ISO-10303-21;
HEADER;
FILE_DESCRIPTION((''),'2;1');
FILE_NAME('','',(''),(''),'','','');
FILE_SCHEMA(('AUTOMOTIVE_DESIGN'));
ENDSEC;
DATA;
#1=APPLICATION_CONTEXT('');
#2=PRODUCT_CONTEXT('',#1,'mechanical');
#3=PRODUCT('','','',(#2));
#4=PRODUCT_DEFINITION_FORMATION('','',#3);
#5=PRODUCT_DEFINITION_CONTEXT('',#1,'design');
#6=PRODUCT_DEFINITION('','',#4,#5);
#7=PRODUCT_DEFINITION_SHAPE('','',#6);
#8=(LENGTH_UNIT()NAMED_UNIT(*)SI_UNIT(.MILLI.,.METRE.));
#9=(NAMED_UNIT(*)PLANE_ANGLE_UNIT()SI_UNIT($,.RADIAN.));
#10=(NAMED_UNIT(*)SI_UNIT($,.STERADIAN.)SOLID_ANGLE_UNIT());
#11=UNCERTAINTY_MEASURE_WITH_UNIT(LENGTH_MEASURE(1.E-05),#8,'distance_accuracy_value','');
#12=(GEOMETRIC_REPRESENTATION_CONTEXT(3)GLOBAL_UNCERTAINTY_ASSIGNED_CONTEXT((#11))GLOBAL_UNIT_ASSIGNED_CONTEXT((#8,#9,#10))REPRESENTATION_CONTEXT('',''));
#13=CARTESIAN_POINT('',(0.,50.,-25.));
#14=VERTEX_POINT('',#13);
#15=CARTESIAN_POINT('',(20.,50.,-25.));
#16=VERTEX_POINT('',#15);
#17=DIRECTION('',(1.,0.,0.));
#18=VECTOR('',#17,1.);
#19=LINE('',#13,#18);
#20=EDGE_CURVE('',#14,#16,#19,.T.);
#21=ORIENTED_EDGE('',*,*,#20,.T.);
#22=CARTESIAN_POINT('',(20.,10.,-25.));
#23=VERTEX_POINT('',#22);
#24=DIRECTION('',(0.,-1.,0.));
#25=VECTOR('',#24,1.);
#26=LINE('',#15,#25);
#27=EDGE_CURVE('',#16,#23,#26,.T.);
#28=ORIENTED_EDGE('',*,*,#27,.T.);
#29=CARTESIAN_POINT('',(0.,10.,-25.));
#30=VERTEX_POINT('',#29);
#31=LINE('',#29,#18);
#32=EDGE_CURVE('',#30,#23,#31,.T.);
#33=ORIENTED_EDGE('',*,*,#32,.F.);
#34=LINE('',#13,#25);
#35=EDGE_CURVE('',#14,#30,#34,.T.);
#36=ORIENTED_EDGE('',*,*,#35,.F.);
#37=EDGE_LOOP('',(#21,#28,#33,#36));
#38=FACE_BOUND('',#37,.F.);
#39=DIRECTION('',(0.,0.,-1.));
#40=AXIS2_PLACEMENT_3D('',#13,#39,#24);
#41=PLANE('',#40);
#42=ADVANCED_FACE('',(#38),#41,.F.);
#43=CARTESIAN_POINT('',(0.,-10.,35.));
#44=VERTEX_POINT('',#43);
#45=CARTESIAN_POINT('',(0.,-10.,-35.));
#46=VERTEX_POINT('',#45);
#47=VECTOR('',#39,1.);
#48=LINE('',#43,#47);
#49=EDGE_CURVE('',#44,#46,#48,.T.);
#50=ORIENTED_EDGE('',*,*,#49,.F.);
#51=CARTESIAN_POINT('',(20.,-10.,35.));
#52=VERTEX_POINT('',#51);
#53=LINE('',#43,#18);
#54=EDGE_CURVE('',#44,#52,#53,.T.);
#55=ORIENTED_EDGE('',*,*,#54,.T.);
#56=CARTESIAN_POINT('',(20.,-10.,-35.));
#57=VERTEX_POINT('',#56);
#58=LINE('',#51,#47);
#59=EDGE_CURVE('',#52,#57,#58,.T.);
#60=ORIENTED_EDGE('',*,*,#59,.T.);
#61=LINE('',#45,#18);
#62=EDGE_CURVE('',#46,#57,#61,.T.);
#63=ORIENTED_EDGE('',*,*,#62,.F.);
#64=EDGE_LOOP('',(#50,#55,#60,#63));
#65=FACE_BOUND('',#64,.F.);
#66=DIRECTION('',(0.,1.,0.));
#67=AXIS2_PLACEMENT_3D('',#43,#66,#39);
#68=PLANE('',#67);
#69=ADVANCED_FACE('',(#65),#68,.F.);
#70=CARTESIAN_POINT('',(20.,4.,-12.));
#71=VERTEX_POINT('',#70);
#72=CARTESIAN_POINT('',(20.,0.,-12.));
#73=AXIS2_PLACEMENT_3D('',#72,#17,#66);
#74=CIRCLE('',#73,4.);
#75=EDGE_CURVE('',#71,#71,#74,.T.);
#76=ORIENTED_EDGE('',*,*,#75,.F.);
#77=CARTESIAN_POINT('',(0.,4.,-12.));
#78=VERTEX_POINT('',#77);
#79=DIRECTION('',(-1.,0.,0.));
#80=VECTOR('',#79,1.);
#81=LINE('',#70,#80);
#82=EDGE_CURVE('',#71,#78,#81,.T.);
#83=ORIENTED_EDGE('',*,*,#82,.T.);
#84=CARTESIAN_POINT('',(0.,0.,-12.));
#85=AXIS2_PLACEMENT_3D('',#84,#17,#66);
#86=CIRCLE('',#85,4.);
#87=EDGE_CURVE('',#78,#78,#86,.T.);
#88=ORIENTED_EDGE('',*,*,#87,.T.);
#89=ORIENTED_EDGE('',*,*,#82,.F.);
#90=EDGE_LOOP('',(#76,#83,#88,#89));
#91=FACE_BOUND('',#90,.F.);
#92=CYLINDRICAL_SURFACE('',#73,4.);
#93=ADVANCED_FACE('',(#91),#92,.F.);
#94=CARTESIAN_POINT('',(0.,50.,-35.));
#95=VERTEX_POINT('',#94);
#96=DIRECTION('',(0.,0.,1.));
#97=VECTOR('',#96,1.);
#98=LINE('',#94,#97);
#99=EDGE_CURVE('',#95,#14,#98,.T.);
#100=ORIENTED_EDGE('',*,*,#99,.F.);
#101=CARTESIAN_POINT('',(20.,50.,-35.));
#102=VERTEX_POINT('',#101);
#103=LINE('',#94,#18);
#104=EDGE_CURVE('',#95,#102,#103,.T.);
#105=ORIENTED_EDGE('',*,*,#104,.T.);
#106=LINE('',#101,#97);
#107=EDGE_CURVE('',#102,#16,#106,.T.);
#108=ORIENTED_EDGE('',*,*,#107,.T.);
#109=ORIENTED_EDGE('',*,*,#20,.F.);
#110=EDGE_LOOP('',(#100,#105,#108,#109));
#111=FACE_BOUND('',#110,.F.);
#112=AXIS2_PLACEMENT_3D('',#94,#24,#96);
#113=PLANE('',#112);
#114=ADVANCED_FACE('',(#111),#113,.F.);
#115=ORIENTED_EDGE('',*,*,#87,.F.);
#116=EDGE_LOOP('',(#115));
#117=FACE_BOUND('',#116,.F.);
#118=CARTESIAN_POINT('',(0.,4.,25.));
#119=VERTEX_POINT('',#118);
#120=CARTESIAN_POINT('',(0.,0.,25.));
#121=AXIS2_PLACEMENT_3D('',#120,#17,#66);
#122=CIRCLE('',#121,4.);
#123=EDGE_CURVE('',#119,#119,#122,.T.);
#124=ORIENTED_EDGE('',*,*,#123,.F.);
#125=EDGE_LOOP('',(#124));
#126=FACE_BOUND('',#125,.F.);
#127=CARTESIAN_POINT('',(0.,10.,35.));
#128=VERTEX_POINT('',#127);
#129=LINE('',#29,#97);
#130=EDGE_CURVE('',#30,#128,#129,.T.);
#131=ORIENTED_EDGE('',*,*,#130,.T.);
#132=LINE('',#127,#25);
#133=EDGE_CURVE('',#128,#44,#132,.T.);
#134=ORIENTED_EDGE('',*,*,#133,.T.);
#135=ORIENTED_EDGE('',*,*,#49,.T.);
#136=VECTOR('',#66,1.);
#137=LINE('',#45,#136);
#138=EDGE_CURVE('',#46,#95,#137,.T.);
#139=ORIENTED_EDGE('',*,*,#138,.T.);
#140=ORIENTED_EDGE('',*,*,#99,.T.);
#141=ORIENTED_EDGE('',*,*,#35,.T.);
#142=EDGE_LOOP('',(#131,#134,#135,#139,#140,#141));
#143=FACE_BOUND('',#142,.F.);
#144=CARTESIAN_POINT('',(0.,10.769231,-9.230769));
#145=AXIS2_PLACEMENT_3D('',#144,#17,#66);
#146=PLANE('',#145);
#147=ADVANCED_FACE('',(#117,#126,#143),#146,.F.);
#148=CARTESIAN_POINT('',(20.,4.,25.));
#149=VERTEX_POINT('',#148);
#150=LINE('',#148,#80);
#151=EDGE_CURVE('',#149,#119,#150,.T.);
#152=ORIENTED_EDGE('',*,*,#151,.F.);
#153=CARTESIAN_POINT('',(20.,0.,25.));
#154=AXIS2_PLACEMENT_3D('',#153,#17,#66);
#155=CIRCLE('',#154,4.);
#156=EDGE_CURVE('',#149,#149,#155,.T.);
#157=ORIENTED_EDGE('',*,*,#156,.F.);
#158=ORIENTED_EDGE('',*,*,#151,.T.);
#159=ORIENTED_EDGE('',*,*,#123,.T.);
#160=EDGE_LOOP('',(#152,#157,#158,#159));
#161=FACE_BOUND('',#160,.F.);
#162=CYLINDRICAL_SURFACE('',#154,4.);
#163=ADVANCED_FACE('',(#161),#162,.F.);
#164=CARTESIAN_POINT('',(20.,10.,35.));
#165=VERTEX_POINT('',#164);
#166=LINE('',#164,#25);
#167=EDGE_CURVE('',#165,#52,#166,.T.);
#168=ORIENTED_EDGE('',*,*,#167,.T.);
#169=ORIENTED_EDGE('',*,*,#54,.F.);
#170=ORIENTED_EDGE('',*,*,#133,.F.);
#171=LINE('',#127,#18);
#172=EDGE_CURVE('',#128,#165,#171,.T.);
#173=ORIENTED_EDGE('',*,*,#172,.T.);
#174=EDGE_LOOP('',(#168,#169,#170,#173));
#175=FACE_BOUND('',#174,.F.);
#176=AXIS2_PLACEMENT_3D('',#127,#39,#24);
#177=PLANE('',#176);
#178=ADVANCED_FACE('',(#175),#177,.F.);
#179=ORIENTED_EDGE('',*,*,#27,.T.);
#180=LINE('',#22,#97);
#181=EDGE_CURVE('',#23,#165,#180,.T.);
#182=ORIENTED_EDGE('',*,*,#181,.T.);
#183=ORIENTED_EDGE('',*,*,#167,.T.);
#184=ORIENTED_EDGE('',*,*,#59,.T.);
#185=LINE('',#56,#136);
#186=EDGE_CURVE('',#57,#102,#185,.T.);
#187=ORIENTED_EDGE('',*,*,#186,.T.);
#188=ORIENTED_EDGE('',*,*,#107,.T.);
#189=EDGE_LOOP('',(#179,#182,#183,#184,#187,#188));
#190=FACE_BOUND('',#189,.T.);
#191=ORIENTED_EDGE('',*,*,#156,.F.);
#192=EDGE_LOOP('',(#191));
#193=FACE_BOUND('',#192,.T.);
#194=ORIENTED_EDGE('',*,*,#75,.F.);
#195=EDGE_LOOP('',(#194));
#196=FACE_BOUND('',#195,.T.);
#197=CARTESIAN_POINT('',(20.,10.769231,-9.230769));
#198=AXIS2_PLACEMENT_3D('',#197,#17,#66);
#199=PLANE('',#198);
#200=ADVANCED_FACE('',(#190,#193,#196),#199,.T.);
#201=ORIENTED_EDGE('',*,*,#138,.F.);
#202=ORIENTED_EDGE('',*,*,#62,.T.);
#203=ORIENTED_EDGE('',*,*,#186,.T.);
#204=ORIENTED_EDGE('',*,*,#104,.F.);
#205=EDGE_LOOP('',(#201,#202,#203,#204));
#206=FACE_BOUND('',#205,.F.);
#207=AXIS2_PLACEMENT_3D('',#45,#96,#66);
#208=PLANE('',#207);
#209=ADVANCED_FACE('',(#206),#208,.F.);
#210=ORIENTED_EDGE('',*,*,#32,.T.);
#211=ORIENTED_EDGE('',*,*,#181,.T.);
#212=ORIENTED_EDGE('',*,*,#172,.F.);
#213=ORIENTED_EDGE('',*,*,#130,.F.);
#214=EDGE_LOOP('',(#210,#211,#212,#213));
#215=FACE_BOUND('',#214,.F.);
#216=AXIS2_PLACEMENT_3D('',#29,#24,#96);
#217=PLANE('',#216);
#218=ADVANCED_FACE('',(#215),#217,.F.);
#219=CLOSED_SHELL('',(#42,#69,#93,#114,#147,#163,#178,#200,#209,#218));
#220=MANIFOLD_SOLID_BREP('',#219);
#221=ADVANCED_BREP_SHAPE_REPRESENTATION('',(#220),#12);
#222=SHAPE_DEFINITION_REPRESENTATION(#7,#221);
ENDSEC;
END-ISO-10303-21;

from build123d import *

# Parameters (mm, degrees)
PAD_DEPTH    = 20
SKETCH001_R  = 4
POCKET_DEPTH = 20


with BuildPart() as part:
    # Sketch → Pad (new body)
    with BuildSketch(Plane.YZ):
        Polygon((-10, 35), (-10, -35), (50, -35), (50, -25), (10, -25), (10, 35), align=None)
    extrude(amount=PAD_DEPTH)

    # Sketch001 → Pocket (cut)
    with BuildSketch(Plane.YZ.offset(20)):
        with Locations((0, 25)):
            Circle(SKETCH001_R)
        with Locations((0, -12)):
            Circle(SKETCH001_R)
    extrude(amount=-POCKET_DEPTH, mode=Mode.SUBTRACT)


solid = part.part
